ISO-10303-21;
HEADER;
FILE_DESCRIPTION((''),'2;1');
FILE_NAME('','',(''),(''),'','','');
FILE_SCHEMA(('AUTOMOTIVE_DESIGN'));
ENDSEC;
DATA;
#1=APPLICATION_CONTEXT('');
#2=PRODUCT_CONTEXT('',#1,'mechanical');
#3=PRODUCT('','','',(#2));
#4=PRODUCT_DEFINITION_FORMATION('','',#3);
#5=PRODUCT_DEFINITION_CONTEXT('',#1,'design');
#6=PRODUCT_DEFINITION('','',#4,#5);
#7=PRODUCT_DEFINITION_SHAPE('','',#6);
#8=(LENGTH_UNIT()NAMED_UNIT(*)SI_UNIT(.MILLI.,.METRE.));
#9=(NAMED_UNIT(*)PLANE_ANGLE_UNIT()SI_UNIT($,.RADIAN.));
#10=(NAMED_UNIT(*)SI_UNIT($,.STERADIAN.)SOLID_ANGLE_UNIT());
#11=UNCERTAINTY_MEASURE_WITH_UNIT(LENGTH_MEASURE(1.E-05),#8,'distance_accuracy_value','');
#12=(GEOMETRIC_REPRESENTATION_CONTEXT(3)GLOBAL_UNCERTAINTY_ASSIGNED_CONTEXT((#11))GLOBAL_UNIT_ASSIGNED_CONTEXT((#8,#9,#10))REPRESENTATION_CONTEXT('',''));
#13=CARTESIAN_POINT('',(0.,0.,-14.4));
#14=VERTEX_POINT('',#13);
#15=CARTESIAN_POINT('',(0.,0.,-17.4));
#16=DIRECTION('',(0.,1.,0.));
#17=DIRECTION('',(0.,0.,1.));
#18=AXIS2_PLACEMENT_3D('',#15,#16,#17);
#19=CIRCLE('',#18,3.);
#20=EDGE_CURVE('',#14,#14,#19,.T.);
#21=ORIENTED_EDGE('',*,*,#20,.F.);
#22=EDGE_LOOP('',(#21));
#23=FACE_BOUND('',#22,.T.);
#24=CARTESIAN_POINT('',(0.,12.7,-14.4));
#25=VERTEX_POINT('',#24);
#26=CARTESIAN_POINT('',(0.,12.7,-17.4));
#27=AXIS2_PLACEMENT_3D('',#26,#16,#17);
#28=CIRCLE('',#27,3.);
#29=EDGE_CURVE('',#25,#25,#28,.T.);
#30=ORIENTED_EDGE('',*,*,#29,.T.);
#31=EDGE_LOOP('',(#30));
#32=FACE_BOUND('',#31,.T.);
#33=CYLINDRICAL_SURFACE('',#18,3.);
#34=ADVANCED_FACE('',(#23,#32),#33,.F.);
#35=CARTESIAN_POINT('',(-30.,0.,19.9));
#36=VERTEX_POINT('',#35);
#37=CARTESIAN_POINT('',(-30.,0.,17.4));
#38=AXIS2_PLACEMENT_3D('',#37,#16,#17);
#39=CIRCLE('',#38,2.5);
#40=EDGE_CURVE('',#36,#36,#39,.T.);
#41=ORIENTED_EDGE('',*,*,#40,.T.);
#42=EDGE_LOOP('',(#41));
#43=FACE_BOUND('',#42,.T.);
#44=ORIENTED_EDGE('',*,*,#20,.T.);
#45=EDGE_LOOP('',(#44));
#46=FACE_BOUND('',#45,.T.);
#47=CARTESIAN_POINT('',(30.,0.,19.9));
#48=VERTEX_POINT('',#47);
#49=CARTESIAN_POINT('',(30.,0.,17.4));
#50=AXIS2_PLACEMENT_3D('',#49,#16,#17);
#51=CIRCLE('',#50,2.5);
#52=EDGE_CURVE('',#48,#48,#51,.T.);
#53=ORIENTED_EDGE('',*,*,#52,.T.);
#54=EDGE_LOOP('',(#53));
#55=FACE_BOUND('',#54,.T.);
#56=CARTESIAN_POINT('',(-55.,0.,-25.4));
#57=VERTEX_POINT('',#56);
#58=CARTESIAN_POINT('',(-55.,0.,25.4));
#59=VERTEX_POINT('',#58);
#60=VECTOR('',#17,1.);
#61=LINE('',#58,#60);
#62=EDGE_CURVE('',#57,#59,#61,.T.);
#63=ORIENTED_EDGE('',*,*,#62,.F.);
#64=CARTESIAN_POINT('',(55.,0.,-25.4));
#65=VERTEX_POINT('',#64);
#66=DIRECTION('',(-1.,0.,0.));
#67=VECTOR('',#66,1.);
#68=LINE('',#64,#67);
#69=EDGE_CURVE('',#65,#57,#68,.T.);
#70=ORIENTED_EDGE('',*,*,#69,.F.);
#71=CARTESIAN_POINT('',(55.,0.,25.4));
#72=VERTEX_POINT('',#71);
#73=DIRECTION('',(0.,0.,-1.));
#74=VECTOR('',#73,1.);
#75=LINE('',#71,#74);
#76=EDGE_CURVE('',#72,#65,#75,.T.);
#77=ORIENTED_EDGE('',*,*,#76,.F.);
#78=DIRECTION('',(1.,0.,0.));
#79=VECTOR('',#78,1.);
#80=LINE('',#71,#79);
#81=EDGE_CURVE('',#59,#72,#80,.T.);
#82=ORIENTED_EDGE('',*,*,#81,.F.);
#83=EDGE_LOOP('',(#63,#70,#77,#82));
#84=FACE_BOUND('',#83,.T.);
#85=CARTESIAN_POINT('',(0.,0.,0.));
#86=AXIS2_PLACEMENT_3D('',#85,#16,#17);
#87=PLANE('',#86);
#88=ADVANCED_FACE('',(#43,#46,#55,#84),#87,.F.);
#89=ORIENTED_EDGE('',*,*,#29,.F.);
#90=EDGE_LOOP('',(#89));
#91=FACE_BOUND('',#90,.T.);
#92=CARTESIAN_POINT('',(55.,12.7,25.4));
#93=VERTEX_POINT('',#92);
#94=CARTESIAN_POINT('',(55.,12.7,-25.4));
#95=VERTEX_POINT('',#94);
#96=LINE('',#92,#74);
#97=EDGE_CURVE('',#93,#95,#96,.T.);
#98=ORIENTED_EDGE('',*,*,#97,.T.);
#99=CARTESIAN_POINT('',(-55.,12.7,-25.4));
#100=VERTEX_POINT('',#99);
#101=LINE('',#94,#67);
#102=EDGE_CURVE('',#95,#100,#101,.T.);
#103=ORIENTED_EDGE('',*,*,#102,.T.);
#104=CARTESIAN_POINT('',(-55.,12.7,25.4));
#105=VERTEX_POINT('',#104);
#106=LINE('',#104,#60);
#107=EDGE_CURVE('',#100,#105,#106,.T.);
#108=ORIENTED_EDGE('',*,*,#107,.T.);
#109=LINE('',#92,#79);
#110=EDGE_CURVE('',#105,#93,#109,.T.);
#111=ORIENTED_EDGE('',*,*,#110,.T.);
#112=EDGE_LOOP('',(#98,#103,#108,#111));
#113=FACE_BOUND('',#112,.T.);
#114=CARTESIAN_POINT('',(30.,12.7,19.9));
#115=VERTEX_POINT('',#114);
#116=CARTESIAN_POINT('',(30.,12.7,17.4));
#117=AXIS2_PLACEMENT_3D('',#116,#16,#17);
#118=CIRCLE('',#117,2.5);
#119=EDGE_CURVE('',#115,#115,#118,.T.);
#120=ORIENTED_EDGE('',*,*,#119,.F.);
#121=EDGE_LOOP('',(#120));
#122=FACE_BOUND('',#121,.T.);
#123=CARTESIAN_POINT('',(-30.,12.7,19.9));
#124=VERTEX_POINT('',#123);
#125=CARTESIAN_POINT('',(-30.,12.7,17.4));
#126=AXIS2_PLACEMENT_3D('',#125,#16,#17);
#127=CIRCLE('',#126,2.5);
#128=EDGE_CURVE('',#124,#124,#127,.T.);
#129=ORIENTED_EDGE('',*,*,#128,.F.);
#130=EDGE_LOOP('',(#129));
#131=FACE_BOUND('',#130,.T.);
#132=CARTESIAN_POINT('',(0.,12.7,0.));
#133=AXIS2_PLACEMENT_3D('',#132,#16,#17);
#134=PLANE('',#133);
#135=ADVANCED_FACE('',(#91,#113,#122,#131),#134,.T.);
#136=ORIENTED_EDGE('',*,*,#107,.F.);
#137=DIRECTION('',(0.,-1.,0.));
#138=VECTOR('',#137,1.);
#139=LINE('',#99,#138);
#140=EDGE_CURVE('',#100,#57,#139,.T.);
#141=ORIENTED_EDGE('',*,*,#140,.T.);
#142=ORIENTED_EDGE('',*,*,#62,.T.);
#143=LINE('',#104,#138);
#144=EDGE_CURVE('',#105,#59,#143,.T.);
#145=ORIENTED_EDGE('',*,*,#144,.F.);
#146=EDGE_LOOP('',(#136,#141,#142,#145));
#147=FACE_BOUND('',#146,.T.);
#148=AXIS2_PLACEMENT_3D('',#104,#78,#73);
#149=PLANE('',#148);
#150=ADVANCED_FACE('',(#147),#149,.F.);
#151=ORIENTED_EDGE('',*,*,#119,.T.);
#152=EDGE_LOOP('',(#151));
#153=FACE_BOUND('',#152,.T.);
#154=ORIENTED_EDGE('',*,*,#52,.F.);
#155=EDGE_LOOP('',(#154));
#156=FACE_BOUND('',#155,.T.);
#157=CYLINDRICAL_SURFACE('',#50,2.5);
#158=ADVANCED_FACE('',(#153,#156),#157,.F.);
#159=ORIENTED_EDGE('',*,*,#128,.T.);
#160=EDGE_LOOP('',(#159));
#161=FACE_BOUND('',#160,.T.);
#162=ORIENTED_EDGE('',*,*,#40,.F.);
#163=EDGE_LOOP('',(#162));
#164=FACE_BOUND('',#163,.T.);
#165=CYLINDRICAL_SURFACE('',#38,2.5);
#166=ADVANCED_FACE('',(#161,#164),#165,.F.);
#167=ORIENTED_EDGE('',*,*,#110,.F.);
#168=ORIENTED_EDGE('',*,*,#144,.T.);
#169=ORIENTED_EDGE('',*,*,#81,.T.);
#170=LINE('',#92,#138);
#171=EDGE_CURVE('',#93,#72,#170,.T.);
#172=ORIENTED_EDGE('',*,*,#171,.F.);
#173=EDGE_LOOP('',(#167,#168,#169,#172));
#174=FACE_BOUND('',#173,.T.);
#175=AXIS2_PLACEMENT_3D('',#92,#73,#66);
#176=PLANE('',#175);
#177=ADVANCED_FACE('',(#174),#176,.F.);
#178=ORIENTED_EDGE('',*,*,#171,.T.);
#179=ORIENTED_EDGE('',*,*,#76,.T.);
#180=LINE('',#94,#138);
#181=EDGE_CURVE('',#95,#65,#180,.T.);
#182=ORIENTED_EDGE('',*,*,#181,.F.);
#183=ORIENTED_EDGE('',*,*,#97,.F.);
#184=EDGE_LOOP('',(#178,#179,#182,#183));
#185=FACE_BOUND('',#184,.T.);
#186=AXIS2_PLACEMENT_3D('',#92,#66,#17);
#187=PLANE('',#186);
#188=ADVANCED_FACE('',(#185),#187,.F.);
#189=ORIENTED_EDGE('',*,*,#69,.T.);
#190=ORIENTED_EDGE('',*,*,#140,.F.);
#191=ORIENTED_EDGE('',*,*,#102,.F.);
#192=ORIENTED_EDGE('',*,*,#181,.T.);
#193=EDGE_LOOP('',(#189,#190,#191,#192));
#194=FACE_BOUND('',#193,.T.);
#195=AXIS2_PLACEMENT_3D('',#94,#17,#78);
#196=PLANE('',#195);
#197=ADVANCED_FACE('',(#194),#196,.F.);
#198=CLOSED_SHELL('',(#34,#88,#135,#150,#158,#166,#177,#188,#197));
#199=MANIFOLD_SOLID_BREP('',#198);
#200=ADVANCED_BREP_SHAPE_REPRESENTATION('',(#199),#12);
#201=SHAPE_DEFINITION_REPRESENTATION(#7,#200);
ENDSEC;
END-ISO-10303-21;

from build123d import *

# Parameters (mm, degrees)
CROQUIS1_W              = 110
CROQUIS1_H              = 50.8
SALIENTE_EXTRUIR1_DEPTH = 12.7
CROQUIS3_R              = 2.5
CROQUIS3_R_2            = 3
CORTAR_EXTRUIR1_DEPTH   = 12.7


with BuildPart() as part:
    # Croquis1 → Saliente-Extruir1 (new body)
    with BuildSketch(Plane(origin=(0, 0, 0), x_dir=(1, 0, 0), z_dir=(0, 1, 0))):
        Rectangle(CROQUIS1_W, CROQUIS1_H)
    extrude(amount=SALIENTE_EXTRUIR1_DEPTH)

    # Croquis3 → Cortar-Extruir1 (cut)
    with BuildSketch(Plane(origin=(0, 12.7, 0), x_dir=(1, 0, 0), z_dir=(0, 1, 0))):
        with Locations(Location((-30, -17.4, 0), (0, 0, 270))):
            Circle(CROQUIS3_R)
        with Locations(Location((30, -17.4, 0), (0, 0, 270))):
            Circle(CROQUIS3_R)
        with Locations(Location((0, 17.4, 0), (0, 0, 270))):
            Circle(CROQUIS3_R_2)
    extrude(amount=-CORTAR_EXTRUIR1_DEPTH, mode=Mode.SUBTRACT)


solid = part.part
